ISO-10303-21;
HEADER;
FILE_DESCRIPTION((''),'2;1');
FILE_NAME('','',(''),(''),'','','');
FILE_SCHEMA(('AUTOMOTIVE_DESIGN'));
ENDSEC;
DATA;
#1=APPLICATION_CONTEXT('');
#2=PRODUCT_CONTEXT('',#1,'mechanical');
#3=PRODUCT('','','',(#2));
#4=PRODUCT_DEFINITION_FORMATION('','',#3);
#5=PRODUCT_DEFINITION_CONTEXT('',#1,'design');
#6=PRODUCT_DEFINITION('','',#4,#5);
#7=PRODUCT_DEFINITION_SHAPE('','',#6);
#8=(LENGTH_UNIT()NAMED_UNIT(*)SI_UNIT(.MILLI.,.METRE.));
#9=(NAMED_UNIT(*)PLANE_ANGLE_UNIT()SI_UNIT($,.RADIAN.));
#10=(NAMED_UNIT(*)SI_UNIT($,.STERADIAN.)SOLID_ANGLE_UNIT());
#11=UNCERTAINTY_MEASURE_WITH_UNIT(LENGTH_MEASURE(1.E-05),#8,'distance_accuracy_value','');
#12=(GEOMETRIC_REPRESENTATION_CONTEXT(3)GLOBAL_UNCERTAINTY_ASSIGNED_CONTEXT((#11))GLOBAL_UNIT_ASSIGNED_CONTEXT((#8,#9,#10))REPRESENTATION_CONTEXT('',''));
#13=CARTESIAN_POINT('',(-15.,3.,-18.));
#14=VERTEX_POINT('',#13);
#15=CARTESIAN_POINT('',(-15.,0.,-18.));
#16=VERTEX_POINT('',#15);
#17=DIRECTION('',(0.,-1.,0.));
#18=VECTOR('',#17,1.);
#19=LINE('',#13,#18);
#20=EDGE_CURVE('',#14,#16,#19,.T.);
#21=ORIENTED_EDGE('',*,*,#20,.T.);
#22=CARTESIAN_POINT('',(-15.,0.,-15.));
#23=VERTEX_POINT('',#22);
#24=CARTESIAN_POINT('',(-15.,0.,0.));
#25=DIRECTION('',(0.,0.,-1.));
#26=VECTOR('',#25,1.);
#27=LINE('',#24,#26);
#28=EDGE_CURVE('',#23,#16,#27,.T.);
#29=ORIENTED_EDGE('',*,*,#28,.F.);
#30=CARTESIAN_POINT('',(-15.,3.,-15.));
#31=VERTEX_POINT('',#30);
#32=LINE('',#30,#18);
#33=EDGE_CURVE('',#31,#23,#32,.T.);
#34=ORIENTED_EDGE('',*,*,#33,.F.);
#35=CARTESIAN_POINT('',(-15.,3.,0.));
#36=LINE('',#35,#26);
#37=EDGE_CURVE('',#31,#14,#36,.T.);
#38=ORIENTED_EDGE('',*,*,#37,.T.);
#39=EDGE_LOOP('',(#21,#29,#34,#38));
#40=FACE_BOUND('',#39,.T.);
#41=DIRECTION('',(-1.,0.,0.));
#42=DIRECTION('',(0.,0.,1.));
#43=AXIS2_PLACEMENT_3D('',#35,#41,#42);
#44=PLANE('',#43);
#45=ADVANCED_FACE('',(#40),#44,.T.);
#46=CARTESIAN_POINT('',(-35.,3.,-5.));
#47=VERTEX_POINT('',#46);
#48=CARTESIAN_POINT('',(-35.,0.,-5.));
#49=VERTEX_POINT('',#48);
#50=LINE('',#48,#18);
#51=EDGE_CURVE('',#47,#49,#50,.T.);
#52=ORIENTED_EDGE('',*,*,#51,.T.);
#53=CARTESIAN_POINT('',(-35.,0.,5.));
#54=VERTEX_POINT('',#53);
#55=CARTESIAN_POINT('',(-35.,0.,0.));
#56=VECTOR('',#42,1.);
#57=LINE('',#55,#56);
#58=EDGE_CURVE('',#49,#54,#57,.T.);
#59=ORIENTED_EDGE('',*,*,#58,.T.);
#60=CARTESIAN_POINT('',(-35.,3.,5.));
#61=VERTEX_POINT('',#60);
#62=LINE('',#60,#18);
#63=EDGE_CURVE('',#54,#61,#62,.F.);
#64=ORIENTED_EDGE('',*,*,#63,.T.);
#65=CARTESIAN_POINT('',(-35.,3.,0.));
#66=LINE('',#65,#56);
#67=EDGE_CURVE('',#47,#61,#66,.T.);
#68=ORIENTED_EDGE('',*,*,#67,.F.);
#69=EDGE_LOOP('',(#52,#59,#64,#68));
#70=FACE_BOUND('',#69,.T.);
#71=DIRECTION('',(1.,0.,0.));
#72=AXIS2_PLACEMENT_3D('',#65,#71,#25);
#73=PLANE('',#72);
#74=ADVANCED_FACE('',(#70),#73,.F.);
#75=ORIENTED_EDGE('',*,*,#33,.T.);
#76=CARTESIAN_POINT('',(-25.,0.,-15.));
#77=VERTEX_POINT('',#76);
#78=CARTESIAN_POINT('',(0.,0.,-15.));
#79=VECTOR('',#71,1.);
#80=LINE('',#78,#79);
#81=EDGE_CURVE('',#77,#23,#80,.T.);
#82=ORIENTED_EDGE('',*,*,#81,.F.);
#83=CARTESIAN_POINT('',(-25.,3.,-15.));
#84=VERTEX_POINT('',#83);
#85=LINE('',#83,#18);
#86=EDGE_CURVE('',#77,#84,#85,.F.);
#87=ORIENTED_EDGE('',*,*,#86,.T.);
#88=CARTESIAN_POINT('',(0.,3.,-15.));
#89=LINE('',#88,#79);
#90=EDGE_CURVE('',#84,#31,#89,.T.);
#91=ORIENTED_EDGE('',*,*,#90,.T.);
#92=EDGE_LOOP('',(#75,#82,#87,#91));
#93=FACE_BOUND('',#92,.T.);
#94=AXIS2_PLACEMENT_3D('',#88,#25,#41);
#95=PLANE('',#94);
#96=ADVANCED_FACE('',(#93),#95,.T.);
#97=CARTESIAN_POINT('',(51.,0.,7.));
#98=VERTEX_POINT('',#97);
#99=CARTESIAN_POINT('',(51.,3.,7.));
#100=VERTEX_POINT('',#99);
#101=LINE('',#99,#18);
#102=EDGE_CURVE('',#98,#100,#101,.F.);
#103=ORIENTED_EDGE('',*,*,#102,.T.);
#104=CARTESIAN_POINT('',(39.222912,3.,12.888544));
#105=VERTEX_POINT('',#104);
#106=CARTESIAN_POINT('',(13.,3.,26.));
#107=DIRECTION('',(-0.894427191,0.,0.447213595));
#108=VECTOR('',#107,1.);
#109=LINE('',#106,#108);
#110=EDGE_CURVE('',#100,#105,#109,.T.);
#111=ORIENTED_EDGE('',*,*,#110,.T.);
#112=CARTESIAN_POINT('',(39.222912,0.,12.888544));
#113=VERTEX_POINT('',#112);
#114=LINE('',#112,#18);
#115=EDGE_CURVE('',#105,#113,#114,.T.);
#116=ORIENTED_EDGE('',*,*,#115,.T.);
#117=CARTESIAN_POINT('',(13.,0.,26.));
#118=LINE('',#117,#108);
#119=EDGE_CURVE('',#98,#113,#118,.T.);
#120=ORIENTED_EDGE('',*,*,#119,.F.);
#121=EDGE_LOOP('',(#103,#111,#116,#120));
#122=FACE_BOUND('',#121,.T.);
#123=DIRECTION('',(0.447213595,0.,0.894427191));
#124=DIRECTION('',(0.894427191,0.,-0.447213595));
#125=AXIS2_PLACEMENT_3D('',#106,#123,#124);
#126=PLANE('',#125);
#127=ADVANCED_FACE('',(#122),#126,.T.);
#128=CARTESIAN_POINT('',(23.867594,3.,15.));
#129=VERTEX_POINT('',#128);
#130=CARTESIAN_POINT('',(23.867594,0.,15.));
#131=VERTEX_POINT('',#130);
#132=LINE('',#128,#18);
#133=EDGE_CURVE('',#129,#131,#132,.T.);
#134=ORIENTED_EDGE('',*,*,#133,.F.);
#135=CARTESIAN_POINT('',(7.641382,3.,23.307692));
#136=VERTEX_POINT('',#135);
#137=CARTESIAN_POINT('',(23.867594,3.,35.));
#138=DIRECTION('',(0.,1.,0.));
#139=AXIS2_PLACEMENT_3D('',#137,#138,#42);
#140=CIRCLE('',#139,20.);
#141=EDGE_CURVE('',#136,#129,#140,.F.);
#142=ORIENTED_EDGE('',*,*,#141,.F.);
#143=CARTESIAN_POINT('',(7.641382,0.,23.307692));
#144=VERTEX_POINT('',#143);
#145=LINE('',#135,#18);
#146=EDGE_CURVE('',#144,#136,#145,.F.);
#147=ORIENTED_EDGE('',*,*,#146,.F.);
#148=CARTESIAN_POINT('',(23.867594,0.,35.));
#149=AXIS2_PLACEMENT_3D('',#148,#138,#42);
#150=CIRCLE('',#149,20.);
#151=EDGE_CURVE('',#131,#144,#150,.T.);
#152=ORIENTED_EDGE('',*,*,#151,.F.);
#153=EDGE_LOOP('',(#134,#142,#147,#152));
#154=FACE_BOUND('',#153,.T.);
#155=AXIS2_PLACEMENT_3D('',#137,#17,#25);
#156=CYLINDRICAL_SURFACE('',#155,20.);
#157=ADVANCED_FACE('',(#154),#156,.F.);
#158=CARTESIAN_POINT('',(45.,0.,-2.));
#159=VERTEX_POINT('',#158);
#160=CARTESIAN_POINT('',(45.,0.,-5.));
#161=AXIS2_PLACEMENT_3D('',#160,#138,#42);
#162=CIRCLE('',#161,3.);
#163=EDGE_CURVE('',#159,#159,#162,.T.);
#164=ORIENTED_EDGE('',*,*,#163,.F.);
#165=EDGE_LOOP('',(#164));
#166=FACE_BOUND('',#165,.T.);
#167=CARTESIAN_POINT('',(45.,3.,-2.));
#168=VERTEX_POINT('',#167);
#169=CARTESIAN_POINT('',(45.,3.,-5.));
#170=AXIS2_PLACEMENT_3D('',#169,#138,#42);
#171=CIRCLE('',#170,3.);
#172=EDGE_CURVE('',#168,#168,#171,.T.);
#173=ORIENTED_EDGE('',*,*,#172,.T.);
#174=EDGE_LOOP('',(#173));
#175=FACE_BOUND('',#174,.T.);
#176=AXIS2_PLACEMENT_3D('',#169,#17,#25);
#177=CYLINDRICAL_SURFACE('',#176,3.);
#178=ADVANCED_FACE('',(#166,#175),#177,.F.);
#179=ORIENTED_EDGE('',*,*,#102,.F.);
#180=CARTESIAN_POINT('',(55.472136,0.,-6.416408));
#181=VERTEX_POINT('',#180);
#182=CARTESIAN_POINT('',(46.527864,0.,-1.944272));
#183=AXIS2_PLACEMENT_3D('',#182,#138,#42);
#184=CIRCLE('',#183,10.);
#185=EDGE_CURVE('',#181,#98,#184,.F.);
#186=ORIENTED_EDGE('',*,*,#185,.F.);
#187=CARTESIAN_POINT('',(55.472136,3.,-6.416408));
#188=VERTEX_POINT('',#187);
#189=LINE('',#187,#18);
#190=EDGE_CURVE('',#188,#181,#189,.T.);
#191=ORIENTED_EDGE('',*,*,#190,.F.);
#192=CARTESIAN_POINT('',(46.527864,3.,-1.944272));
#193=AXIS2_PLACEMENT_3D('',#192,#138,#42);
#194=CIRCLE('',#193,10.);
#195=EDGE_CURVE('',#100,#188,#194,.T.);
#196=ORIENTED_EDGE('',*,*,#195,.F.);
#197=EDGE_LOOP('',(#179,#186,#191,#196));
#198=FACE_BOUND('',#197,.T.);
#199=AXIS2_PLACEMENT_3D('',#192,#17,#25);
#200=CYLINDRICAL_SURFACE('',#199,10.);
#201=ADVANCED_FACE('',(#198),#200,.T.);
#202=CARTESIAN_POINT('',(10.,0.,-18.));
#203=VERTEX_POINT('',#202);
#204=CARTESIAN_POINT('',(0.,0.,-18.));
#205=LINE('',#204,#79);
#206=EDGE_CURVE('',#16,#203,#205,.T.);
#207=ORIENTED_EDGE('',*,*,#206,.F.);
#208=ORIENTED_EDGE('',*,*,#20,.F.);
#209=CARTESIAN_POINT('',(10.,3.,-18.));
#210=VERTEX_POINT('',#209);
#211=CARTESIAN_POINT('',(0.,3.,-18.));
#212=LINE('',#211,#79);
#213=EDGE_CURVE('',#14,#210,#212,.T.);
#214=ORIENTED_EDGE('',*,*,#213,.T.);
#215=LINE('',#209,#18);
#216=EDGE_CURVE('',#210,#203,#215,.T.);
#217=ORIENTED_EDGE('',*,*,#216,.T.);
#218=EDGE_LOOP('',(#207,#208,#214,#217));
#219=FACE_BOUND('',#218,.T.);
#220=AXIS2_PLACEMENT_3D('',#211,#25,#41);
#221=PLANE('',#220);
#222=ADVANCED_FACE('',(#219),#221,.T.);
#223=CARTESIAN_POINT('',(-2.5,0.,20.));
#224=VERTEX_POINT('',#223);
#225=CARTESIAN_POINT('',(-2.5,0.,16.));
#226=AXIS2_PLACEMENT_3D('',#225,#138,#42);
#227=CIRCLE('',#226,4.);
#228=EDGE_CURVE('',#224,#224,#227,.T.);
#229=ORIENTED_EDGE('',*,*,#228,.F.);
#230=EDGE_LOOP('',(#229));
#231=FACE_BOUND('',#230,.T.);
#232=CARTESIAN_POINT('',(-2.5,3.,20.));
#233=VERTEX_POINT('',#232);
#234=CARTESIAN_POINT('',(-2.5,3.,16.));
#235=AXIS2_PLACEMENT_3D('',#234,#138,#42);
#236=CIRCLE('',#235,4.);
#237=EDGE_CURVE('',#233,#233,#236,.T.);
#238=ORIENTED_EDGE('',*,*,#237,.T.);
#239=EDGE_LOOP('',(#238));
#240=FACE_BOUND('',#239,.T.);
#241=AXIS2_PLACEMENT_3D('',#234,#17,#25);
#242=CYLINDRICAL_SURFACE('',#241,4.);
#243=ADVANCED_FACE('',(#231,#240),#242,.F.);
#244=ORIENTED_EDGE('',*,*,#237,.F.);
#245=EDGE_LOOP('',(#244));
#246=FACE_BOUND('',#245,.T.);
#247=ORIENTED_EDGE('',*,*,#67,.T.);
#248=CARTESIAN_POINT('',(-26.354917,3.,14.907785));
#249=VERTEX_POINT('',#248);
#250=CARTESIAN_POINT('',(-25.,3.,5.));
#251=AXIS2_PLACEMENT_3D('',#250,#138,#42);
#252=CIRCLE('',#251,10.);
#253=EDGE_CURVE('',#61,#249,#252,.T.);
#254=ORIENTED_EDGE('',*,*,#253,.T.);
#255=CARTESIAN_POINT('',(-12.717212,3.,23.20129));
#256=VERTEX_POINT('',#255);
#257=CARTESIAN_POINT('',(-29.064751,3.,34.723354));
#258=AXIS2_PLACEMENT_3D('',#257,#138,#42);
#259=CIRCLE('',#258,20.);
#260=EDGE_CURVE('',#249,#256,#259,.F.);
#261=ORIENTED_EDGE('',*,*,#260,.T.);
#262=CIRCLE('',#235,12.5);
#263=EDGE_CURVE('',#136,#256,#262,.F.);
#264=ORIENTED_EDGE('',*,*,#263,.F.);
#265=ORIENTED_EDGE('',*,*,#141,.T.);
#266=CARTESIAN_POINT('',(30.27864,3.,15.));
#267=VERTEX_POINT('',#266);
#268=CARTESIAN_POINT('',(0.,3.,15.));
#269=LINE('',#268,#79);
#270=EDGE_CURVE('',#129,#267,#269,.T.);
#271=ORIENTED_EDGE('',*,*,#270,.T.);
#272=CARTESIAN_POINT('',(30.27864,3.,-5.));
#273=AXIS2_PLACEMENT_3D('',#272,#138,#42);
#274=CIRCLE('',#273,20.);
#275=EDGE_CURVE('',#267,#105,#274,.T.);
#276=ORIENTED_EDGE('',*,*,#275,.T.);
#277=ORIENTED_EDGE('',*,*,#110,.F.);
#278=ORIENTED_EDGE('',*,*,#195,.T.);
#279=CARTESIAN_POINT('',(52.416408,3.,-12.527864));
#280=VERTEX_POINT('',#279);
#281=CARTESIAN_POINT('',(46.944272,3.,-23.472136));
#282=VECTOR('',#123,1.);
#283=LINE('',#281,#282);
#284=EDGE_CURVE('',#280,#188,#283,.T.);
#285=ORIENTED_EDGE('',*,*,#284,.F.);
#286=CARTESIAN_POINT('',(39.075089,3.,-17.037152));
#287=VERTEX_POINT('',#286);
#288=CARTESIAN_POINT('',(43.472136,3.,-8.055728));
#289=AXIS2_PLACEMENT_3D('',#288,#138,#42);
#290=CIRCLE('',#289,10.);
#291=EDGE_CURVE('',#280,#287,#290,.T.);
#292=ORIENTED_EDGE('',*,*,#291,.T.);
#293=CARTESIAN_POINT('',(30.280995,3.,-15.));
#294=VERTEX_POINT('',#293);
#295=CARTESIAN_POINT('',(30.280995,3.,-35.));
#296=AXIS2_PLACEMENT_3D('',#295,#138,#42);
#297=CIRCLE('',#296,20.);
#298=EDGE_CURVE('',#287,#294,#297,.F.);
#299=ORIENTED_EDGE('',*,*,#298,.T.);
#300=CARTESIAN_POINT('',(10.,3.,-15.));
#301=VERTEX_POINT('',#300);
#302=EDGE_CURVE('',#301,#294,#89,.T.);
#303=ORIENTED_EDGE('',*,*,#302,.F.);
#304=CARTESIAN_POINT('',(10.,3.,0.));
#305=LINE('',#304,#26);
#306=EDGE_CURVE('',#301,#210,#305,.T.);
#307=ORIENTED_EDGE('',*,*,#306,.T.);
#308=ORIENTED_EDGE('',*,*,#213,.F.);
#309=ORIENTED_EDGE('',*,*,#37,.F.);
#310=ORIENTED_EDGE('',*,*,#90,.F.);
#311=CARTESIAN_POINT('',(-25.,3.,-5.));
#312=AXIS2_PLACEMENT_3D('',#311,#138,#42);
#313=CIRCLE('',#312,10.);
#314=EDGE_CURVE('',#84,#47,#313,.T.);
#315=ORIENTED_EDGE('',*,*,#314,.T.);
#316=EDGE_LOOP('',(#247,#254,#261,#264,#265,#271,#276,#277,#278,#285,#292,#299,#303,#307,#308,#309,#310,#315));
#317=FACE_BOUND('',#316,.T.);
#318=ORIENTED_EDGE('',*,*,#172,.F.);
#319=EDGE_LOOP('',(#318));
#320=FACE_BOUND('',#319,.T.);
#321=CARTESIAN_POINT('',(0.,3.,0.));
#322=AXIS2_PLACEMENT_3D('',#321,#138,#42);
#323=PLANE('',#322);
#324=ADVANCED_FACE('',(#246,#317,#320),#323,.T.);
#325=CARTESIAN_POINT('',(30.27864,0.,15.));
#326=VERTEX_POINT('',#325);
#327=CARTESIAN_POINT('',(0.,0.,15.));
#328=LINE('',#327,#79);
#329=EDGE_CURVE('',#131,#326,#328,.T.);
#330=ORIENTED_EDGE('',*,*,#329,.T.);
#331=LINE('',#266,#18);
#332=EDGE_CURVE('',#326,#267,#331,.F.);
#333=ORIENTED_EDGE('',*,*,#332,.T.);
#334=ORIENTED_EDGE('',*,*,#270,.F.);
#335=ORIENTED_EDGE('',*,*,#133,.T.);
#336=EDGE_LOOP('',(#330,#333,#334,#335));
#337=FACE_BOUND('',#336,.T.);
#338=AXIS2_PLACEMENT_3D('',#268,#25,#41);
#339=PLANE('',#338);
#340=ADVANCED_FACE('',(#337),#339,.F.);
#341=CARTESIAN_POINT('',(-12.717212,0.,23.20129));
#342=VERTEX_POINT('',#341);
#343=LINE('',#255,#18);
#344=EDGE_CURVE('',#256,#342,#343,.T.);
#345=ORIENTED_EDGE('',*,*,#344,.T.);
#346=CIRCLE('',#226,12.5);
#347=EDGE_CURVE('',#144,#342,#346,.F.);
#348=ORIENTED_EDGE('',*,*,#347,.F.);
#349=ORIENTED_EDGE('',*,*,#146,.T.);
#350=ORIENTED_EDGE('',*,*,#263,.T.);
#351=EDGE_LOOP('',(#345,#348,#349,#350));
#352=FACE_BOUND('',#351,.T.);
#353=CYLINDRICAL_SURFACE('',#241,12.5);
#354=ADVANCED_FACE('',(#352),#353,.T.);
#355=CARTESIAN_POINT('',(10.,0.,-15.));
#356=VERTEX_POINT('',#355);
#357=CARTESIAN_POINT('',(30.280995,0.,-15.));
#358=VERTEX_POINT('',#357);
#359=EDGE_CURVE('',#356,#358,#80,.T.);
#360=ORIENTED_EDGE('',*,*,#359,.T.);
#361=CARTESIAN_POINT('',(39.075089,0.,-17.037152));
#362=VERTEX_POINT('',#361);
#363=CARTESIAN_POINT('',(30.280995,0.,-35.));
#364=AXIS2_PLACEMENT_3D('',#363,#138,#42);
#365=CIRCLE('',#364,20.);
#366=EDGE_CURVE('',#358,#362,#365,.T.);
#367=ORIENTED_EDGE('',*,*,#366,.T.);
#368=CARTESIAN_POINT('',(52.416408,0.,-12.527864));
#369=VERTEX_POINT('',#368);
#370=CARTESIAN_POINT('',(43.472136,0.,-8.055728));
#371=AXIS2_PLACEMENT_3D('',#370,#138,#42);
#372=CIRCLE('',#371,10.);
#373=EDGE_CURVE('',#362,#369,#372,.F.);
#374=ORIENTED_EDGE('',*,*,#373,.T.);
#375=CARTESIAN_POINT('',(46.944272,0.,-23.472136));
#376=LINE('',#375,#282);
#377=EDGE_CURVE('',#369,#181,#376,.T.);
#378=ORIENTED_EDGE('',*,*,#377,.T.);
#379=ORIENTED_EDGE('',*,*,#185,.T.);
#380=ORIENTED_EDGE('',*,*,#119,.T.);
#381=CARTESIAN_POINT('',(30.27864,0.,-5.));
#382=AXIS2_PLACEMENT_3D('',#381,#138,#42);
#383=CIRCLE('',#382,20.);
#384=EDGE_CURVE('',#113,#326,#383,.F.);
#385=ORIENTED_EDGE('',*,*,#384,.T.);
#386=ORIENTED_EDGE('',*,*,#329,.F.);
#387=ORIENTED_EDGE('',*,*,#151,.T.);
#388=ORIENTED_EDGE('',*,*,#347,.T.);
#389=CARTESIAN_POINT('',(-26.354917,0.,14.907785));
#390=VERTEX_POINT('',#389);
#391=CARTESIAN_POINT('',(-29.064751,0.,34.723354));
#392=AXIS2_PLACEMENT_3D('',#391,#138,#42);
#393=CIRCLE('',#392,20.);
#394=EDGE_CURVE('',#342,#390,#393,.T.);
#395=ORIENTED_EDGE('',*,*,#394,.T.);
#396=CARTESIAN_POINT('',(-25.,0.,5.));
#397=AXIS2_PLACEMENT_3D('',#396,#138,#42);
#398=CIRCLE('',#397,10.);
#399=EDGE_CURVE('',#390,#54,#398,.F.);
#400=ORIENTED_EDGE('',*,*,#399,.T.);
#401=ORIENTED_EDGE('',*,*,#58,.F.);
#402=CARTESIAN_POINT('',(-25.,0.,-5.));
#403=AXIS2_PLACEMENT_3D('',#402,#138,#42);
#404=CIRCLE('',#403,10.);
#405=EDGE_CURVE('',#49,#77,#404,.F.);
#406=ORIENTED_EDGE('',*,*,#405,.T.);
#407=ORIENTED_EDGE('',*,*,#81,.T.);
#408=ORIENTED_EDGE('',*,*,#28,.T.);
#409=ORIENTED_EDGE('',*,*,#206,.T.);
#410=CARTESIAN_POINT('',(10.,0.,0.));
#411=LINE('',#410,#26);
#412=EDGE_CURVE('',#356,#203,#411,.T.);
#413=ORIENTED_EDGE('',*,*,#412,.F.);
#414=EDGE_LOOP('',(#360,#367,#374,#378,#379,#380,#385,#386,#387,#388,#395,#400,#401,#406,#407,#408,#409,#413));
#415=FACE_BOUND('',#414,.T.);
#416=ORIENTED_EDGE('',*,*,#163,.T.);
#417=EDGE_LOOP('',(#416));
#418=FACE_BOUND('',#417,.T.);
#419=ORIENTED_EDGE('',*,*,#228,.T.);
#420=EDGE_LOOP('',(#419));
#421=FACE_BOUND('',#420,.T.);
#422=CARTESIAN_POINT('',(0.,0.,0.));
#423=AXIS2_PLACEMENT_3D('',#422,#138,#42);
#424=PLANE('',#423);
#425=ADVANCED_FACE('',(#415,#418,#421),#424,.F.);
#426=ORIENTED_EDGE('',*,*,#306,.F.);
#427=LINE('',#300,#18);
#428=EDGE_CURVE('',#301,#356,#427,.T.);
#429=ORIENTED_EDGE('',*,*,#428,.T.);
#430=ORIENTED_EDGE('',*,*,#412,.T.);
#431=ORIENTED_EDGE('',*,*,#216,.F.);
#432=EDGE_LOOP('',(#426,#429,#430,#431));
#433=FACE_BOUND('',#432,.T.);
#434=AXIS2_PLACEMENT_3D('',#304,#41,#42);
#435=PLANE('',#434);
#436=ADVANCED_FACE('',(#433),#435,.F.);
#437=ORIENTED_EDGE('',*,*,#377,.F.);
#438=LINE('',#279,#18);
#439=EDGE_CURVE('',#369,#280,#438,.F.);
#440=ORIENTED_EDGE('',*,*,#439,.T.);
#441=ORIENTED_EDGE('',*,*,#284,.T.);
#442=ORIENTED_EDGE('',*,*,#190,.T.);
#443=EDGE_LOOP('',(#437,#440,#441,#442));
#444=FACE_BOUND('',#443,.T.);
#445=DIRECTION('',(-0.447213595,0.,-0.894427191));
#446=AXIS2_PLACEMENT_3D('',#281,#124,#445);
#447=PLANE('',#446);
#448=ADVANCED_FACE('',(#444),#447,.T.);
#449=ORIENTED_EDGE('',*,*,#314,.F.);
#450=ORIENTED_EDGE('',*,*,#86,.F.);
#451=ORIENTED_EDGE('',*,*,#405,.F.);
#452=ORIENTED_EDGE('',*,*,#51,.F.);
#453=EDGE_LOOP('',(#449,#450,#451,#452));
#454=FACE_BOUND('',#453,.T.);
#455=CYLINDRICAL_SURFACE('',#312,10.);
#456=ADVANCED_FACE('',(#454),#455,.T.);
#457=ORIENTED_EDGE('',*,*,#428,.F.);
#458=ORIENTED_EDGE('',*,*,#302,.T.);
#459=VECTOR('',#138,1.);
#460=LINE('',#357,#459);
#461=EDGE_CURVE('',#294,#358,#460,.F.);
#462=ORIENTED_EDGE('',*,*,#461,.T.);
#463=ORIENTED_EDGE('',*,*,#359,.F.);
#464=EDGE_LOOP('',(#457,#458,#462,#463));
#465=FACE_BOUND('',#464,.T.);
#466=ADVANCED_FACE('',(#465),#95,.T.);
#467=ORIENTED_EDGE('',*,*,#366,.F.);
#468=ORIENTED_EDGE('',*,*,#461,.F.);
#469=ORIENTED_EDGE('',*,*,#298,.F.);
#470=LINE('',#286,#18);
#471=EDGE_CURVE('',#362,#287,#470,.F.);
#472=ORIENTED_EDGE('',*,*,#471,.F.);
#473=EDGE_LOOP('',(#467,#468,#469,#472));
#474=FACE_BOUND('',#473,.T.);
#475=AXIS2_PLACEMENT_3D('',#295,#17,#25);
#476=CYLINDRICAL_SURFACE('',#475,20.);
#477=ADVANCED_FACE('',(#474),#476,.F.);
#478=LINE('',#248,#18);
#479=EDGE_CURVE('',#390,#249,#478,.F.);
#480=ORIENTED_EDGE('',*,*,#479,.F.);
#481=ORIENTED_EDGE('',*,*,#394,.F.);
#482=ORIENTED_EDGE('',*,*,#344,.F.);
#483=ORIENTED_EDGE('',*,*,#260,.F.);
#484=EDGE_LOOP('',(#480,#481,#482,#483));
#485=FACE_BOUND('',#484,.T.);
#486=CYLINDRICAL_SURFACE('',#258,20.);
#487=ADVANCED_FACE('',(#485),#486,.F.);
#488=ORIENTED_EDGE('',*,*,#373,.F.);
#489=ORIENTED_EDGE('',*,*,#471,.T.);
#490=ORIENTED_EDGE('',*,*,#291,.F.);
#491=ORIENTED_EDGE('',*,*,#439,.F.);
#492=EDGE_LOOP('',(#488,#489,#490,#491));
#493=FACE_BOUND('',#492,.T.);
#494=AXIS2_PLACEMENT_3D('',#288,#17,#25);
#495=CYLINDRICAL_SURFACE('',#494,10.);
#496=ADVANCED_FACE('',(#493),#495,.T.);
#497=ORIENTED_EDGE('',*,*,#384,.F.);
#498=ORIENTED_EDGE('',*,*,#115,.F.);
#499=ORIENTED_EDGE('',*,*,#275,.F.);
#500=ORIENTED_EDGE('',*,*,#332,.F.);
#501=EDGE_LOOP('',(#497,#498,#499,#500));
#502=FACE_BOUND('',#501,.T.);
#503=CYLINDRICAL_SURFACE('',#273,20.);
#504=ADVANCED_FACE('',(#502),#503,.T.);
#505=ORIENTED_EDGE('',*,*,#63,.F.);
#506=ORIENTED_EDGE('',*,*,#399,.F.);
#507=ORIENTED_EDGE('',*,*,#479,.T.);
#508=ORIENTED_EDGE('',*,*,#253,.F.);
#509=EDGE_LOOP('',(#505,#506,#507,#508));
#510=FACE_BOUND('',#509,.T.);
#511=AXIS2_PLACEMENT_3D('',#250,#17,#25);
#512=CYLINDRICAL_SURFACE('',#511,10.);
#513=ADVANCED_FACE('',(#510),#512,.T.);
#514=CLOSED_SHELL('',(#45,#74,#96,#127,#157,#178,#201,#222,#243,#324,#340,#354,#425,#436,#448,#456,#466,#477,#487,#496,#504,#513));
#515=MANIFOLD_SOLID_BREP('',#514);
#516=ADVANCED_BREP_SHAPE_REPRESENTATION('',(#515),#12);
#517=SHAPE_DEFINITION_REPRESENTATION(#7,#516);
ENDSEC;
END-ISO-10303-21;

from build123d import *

# Parameters (mm, degrees)
SKETCH1_R           = 3
SKETCH1_W           = 25
SKETCH1_H           = 3
BOSS_EXTRUDE1_DEPTH = 3
FILLET1_R           = 10
FILLET2_R           = 20


with BuildPart() as part:
    # Sketch1 → Boss-Extrude1 (new body)
    with BuildSketch(Plane(origin=(0, 0, 0), x_dir=(1, 0, 0), z_dir=(0, 1, 0))):
        with BuildLine():
            Line((10, -16), (10, -15))
            Line((10, -15), (1.372983346, -15))
            ThreePointArc((1.372983346, -15), (1.468118785, -15.49598283), (1.5, -16))
            ThreePointArc((1.5, -16), (-3.00401717, -19.968118785), (-6.372983346, -15))
            Line((-6.372983346, -15), (-15, -15))
            Line((-15, -15), (-15, -16))
            ThreePointArc((-15, -16), (-2.5, -28.5), (10, -16))
        make_face()
        with BuildLine():
            Line((47.94427191, 21.472135955), (35, 15))
            Line((35, 15), (10, 15))
            Line((10, 15), (10, 12))
            Line((10, 12), (-15, 12))
            Line((-15, 12), (-15, 15))
            Line((-15, 15), (-35, 15))
            Line((-35, 15), (-35, -15))
            Line((-35, -15), (-15, -15))
            Line((-15, -15), (-6.372983346, -15))
            ThreePointArc((-6.372983346, -15), (-2.5, -12), (1.372983346, -15))
            Line((1.372983346, -15), (10, -15))
            Line((10, -15), (35, -15))
            Line((35, -15), (59.94427191, -2.527864045))
            Line((59.94427191, -2.527864045), (47.94427191, 21.472135955))
        make_face()
        with Locations((45, 5)):
            Circle(SKETCH1_R, mode=Mode.SUBTRACT)
        with Locations((-2.5, 16.5)):
            Rectangle(SKETCH1_W, SKETCH1_H)
        with Locations((-2.5, 13.5)):
            Rectangle(SKETCH1_W, SKETCH1_H)
    extrude(amount=BOSS_EXTRUDE1_DEPTH)

    # Fillet1
    fillet1_edges = [part.edges().sort_by_distance(p)[0] for p in [
        (47.94427191, 1.5, -21.472135955),
        (59.94427191, 1.5, 2.527864045),
        (-35, 1.5, 15),
        (-35, 1.5, -15),
    ]]
    fillet(fillet1_edges, radius=FILLET1_R)

    # Fillet2
    fillet2_edges = [part.edges().sort_by_distance(p)[0] for p in [
        (35, 1.5, -15),
        (35, 1.5, 15),
        (10, 1.5, 15),
        (-15, 1.5, 15),
    ]]
    fillet(fillet2_edges, radius=FILLET2_R)


solid = part.part
